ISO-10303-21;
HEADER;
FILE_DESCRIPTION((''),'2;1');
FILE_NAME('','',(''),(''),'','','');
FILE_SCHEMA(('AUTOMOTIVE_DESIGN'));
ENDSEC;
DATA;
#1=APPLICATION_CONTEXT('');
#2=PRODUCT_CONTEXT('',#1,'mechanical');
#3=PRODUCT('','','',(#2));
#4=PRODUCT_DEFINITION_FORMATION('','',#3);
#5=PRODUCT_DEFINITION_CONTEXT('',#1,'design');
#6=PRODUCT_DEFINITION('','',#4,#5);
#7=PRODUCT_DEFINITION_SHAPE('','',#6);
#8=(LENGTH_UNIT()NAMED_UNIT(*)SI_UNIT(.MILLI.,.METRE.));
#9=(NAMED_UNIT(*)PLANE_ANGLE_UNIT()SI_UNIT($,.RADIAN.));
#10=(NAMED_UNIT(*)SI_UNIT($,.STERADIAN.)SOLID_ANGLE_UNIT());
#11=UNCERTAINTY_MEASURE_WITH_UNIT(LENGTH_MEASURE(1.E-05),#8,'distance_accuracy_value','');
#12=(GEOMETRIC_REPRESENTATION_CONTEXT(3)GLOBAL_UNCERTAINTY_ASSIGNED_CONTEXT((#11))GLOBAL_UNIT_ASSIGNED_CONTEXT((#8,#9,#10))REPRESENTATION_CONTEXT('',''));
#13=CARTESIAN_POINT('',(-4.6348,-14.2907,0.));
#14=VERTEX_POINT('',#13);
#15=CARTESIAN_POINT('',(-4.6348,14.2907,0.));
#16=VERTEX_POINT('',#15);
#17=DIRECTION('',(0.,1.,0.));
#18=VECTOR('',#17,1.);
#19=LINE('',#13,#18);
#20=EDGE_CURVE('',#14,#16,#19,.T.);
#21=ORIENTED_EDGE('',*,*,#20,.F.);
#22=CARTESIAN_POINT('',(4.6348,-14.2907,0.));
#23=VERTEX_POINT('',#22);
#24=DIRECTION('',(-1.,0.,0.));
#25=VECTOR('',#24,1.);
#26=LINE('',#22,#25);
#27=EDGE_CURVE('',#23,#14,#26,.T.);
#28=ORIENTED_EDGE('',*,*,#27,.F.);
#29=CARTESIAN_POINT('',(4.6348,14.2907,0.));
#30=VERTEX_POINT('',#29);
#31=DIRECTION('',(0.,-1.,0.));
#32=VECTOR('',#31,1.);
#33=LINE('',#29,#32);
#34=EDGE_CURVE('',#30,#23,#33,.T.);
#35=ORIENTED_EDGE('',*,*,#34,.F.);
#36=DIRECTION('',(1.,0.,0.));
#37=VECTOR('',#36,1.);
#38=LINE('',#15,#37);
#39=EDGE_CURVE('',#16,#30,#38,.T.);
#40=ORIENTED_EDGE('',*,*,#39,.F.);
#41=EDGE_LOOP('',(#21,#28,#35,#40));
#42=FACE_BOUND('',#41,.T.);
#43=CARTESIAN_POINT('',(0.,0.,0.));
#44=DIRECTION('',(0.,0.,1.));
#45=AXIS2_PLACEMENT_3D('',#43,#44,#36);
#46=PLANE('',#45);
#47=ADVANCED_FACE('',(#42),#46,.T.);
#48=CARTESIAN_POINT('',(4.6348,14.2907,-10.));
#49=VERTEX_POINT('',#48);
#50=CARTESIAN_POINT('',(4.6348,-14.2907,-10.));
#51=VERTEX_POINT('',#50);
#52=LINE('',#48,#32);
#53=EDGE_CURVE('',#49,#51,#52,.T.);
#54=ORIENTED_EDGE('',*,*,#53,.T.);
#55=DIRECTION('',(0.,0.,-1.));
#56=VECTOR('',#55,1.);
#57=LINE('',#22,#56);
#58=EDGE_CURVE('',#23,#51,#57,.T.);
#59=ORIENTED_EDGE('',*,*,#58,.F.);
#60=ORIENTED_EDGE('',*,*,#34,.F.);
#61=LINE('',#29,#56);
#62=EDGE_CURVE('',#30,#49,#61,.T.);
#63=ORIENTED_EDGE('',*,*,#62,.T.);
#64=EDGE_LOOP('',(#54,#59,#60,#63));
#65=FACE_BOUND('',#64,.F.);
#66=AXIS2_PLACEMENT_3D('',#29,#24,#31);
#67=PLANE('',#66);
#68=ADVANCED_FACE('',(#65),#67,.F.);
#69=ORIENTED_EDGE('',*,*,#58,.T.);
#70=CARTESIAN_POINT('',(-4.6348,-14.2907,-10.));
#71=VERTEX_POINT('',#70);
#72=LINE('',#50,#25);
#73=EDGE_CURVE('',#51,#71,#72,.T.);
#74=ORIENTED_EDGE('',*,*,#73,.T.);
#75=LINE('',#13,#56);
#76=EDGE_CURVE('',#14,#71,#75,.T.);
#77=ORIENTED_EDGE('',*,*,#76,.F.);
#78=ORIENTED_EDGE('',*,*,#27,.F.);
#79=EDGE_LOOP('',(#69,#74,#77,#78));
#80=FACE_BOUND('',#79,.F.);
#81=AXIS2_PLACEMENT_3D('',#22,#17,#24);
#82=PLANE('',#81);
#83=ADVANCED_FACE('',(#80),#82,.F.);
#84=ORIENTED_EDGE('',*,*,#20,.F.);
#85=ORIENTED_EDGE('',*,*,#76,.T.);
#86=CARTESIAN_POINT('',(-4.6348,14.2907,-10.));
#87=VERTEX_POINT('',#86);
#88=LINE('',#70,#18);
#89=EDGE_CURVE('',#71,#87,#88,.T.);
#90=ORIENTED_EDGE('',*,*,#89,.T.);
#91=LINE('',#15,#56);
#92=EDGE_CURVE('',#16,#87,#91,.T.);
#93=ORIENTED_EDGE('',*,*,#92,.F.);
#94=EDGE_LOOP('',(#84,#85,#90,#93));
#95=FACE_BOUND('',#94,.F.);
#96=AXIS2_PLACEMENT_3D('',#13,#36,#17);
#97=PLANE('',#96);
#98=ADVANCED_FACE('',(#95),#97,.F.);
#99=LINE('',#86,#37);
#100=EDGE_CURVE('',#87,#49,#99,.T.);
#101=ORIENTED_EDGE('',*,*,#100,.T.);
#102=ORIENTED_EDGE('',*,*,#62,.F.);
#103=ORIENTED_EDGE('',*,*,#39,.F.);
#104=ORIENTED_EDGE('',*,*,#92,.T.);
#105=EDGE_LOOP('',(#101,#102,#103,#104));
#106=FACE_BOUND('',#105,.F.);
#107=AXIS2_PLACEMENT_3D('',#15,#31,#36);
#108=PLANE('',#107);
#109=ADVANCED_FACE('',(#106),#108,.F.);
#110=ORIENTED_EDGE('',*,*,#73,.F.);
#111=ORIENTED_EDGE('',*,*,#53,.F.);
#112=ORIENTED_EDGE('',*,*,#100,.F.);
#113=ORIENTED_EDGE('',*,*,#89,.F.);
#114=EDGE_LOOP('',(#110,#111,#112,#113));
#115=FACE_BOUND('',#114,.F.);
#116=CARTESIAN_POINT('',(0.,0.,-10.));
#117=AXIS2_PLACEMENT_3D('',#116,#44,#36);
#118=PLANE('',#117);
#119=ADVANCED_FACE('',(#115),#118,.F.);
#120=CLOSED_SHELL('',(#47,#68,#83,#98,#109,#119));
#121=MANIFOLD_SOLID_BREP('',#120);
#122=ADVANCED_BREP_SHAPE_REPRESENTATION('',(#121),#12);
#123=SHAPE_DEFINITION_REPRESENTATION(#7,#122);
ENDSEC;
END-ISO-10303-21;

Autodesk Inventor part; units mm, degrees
ref_plane "YZ Plane" through (0, 0, 0) normal (1, 0, 0) x (0, 1, 0)
ref_plane "XZ Plane" through (0, 0, 0) normal (0, 1, 0) x (-1, 0, 0)
ref_plane "XY Plane" through (0, 0, 0) normal (0, 0, 1) x (1, 0, 0)
sketch "Sketch1" plane through (0, 0, 0) normal (0, 0, 1) x (1, 0, 0)
  line L0 (-4.6348, 14.2907) -> (4.6348, 14.2907)
  line L1 (4.6348, 14.2907) -> (4.6348, -14.2907)
  line L2 (4.6348, -14.2907) -> (-4.6348, -14.2907)
  line L3 (-4.6348, -14.2907) -> (-4.6348, 14.2907)
  line L4 (-4.6348, 14.2907) -> (4.6348, -14.2907) construction
  line L5 (4.6348, 14.2907) -> (-4.6348, -14.2907) construction
  point P0 (0, 0)
extrude "Extrusion1" add sketch "Sketch1" against normal blind 10
